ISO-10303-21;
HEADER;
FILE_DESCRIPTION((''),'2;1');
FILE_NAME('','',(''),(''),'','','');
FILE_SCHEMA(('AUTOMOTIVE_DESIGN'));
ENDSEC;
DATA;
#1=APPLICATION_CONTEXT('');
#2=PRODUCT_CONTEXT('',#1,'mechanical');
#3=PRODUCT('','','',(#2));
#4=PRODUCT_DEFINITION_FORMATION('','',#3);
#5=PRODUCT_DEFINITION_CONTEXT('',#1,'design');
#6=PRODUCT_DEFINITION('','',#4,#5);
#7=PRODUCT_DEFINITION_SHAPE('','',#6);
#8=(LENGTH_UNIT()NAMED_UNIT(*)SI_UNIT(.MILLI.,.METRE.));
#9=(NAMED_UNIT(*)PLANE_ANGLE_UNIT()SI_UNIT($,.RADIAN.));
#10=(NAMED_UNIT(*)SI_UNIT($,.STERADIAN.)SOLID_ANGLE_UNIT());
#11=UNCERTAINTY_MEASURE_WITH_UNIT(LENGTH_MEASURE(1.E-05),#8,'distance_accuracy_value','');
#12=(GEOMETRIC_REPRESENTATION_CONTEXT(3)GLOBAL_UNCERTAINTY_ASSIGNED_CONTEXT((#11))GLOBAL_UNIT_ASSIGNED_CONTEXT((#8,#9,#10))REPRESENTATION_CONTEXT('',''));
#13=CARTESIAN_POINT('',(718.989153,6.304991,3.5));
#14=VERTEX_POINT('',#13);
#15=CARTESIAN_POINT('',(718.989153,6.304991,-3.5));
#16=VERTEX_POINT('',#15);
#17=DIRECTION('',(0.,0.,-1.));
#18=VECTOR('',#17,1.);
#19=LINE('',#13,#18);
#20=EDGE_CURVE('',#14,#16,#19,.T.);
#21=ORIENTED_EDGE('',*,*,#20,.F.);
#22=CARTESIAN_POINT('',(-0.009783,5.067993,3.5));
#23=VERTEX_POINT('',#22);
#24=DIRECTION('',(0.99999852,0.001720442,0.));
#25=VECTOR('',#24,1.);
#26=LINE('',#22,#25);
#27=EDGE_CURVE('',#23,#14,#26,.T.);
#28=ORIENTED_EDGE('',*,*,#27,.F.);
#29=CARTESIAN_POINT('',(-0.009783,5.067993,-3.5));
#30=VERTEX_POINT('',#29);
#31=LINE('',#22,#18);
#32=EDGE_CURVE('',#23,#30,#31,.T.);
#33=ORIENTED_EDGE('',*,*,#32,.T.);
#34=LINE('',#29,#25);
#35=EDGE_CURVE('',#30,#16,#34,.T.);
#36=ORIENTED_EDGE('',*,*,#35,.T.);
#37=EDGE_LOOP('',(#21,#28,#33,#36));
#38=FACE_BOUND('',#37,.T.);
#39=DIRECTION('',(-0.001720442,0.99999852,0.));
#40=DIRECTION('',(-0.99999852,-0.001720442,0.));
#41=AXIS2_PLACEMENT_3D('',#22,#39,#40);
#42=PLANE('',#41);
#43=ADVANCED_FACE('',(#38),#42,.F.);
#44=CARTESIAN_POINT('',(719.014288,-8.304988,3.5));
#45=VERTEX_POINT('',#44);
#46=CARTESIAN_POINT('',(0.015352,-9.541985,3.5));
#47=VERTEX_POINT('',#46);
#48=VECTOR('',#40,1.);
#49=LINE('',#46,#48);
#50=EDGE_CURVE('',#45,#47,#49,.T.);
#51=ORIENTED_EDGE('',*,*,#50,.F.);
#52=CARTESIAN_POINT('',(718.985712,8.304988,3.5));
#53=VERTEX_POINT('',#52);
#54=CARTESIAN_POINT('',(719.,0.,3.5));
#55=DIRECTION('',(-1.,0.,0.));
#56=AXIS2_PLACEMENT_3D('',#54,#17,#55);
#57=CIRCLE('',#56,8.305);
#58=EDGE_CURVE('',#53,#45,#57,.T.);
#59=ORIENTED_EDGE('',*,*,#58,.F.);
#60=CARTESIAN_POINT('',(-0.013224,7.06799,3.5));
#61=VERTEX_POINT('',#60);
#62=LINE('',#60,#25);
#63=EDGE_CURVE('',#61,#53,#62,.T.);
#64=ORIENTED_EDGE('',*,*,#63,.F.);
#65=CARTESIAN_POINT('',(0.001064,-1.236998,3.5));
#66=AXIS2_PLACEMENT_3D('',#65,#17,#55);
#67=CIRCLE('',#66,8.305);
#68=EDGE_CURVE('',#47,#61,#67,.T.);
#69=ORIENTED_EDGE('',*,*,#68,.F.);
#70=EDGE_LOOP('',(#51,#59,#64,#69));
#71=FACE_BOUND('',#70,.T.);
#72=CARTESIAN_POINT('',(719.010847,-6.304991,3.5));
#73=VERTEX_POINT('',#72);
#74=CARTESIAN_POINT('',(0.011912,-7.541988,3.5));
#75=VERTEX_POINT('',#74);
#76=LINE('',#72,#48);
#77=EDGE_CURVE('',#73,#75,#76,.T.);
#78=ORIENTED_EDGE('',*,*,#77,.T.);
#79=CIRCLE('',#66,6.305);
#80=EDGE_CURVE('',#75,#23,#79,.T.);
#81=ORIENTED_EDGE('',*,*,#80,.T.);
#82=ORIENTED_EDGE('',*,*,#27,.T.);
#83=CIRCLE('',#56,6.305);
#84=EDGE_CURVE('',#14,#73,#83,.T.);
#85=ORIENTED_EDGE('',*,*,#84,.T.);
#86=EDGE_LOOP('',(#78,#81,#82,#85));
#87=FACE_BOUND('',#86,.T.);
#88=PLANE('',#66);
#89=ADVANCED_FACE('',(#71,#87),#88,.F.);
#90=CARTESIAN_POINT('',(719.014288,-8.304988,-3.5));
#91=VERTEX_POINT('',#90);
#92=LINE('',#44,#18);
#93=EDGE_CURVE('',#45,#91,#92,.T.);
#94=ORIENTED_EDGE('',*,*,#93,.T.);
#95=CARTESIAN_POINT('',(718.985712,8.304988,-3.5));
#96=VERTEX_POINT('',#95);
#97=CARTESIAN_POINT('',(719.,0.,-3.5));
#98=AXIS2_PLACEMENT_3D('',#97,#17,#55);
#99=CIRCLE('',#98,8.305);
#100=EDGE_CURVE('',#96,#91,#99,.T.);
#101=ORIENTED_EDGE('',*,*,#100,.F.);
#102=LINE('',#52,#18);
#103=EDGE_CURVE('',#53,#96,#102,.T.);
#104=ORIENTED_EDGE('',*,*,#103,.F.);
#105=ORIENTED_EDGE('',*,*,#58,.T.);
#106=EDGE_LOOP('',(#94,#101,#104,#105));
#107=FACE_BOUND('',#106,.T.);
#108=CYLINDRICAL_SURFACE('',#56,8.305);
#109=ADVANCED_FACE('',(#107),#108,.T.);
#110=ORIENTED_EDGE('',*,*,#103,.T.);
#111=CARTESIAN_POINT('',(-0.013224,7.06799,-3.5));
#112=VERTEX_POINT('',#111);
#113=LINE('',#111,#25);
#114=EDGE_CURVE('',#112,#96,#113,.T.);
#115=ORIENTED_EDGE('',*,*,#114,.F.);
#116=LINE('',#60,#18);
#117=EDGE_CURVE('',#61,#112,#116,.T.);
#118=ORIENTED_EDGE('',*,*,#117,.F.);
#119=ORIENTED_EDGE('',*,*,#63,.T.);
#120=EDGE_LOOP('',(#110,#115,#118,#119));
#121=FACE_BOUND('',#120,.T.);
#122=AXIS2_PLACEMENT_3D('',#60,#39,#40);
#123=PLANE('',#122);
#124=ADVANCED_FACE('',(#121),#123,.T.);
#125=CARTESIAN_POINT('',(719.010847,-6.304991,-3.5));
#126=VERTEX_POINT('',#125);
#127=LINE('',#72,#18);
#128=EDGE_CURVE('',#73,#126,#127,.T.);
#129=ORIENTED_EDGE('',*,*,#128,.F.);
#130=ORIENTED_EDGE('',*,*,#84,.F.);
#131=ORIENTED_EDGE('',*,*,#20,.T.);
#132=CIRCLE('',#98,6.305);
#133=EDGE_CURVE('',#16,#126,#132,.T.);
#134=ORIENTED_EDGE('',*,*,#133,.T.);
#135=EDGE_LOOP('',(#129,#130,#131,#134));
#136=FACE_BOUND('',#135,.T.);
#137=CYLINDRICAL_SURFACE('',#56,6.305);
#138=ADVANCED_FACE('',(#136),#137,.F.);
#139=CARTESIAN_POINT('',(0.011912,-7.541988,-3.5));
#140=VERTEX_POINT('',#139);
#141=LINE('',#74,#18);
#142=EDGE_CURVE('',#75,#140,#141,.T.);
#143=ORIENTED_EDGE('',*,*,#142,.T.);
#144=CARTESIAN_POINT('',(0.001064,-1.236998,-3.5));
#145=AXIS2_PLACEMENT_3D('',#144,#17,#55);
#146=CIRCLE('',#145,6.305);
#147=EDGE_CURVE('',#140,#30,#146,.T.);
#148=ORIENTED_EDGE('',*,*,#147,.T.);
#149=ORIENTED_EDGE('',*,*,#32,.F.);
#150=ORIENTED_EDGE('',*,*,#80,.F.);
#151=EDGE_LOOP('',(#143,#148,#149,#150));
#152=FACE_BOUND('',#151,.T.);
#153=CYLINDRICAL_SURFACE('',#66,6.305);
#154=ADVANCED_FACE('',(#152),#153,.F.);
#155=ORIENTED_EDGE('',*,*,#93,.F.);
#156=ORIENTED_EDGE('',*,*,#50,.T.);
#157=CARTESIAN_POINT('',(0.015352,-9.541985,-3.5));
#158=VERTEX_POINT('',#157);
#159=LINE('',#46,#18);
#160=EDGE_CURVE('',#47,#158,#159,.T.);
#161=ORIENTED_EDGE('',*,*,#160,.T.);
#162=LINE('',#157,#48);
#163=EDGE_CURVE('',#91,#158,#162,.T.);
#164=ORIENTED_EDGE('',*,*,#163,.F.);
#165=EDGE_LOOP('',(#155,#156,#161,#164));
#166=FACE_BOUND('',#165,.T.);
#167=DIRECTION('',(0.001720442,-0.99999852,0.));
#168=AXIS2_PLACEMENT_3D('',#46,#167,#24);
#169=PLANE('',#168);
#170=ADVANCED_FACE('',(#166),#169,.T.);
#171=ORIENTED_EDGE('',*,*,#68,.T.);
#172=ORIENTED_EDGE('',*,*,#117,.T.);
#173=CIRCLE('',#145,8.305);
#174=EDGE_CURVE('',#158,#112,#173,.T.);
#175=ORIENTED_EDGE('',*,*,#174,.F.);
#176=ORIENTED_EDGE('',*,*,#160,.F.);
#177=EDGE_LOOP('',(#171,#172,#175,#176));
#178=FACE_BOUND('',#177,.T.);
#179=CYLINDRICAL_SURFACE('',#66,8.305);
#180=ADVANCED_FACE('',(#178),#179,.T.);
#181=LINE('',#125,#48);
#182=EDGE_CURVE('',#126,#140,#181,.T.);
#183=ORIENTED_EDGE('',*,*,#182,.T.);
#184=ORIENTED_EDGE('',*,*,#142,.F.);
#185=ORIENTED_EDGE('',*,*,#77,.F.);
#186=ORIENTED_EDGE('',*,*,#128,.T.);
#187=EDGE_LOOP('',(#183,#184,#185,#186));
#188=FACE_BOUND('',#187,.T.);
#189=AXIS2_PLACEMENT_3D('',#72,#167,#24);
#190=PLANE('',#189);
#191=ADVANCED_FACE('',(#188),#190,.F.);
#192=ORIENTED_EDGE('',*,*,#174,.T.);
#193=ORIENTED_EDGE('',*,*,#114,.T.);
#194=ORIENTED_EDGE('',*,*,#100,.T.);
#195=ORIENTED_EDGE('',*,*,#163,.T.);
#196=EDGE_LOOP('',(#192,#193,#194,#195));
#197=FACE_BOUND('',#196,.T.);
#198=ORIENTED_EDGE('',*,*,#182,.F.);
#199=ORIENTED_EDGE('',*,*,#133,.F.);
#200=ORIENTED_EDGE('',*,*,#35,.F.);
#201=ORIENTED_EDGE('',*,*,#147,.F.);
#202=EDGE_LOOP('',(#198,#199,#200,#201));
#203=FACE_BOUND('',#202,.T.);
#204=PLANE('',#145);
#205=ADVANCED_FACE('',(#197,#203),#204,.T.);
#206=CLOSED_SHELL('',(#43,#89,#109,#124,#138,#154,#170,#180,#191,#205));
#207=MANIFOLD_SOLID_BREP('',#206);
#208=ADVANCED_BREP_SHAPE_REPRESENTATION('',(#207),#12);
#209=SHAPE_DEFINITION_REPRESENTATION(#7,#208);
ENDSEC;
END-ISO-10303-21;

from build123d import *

# Parameters (mm, degrees)
EXTRUDE_1_DEPTH = 3.5


with BuildPart() as part:
    # 草图2 → 拉伸-薄壁1 (new, symmetric)
    with BuildSketch(Plane.XY):
        with BuildLine():
            Line((719.014288265, -8.304987759), (0.015352385, -9.54198547))
            ThreePointArc((0.015352385, -9.54198547), (-8.303923594, -1.251286031), (-0.013224155, 7.067989948))
            Line((-0.013224155, 7.067989948), (718.985711725, 8.304987659))
            ThreePointArc((718.985711725, 8.304987659), (727.304987704, 0.01428822), (719.014288265, -8.304987759))
        make_face()
        with BuildLine():
            Line((719.010847381, -6.304990718), (0.011911501, -7.54198843))
            ThreePointArc((0.011911501, -7.54198843), (-6.303926554, -1.247845147), (-0.009783271, 5.067992908))
            Line((-0.009783271, 5.067992908), (718.989152609, 6.304990619))
            ThreePointArc((718.989152609, 6.304990619), (725.304990664, 0.010847336), (719.010847381, -6.304990718))
        make_face(mode=Mode.SUBTRACT)
    extrude(amount=EXTRUDE_1_DEPTH, both=True)


solid = part.part
